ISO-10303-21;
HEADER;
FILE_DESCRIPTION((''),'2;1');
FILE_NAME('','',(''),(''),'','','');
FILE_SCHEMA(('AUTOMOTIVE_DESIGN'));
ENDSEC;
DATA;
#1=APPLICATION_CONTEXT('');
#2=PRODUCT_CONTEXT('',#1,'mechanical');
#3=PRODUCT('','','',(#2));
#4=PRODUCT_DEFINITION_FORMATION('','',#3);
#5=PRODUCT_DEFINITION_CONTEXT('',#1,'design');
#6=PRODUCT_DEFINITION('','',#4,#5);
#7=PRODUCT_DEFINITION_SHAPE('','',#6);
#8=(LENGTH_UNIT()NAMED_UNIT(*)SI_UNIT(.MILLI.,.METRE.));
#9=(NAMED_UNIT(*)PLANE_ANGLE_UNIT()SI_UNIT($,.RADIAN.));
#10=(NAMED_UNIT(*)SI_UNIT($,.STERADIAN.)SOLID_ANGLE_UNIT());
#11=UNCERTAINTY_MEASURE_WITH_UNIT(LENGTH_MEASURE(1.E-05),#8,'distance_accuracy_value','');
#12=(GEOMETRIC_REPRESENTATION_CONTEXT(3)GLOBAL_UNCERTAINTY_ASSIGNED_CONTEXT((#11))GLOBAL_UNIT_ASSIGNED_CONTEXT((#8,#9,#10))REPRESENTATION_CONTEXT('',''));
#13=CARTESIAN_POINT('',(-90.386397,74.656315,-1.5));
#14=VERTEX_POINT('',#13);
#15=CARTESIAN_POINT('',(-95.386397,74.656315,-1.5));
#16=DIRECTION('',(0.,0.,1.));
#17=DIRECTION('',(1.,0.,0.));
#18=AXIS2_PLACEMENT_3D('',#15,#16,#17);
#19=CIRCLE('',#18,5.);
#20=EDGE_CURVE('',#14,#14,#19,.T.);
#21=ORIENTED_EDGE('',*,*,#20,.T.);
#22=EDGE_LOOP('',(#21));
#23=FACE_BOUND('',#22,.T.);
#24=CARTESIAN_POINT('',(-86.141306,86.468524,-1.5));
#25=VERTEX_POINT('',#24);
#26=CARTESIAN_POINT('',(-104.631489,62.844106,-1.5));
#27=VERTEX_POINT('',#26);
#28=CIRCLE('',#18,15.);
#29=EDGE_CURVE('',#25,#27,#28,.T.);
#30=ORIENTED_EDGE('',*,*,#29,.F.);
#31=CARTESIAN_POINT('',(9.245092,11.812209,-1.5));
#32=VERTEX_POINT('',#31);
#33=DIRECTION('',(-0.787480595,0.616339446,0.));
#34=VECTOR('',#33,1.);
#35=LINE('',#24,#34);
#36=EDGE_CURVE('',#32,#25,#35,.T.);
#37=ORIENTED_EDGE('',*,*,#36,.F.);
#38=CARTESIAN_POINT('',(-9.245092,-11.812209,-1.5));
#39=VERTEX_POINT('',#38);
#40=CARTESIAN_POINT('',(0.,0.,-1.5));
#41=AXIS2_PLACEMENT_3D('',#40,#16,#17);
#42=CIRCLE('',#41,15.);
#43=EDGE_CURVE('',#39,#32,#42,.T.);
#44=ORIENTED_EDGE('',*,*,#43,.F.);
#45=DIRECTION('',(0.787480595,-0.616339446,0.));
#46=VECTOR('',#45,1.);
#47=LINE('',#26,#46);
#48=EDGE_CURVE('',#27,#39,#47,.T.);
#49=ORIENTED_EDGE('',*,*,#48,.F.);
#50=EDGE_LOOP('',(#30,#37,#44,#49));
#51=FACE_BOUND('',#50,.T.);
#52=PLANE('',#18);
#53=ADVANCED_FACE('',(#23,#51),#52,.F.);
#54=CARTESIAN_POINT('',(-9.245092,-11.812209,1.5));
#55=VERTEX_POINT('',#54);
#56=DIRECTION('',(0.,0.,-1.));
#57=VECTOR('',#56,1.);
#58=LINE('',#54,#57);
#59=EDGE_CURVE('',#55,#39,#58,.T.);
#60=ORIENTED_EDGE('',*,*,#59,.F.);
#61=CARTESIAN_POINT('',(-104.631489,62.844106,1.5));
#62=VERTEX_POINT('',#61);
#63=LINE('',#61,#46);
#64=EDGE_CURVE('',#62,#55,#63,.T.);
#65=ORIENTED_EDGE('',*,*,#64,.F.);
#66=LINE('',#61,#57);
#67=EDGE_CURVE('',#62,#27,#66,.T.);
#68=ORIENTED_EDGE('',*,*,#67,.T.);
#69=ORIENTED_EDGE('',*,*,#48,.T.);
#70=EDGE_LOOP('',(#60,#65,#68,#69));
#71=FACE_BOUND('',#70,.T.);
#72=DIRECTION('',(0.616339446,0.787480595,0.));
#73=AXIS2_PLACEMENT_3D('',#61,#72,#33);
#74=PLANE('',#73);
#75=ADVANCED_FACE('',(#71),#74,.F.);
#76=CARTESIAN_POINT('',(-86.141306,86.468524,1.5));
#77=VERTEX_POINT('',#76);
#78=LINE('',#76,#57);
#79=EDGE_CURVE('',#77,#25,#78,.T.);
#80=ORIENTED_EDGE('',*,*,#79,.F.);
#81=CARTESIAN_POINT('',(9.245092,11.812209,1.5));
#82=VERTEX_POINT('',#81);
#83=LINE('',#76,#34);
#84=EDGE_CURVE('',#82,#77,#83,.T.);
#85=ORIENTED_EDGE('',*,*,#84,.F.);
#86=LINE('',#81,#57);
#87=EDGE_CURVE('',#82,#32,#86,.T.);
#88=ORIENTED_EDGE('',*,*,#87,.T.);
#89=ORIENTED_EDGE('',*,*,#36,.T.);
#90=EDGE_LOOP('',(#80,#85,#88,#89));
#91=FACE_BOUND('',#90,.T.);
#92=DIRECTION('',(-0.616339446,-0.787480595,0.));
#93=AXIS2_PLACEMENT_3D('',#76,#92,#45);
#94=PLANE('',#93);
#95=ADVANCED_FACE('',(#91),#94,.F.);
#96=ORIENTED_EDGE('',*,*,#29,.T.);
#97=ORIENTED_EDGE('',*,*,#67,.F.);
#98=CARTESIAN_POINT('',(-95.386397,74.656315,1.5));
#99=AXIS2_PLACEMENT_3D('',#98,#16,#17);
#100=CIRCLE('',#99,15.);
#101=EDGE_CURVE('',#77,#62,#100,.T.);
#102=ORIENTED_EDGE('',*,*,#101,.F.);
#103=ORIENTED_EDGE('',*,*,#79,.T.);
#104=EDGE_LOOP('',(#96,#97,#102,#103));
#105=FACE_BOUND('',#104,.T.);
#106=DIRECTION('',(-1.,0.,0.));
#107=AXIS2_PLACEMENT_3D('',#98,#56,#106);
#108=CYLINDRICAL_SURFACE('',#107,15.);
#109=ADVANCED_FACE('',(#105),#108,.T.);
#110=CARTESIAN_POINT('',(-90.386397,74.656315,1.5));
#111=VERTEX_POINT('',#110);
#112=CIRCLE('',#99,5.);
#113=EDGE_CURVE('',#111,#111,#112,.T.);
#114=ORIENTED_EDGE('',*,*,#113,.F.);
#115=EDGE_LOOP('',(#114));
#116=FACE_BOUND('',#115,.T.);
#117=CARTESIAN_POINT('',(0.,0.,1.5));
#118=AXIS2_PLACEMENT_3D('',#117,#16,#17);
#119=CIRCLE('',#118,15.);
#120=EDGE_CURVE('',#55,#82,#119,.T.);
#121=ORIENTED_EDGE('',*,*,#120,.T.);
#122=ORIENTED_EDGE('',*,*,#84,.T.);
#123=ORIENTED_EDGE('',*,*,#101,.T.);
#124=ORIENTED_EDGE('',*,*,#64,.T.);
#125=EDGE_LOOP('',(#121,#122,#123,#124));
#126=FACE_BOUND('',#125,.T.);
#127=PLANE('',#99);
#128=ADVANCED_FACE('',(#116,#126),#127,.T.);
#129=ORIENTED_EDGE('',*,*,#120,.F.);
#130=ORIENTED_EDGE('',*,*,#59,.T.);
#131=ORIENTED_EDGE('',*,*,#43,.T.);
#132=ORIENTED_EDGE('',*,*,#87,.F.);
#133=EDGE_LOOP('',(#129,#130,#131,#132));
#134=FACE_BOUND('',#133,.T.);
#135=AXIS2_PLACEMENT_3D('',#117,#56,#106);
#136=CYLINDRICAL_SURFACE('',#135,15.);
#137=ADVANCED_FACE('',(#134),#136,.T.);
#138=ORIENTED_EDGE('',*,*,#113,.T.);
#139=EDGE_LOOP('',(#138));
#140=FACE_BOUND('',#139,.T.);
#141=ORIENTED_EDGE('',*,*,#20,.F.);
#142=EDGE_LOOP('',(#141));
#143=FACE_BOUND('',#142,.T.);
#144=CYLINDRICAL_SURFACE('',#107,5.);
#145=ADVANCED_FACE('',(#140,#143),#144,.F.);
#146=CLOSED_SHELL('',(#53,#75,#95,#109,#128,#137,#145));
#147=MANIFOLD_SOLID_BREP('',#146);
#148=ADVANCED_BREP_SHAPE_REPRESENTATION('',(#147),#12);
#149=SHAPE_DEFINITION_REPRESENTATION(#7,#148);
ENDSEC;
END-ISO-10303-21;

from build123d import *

# Parameters (mm, degrees)
SKETCH1_R           = 5
BOSS_EXTRUDE1_DEPTH = 1.5


with BuildPart() as part:
    # Sketch1 → Boss-Extrude1 (new, symmetric)
    with BuildSketch(Plane.XY):
        with BuildLine():
            Line((-86.14130577, 86.468523976), (9.245091692, 11.812208921))
            ThreePointArc((9.245091692, 11.812208921), (11.812208921, -9.245091692), (-9.245091692, -11.812208921))
            Line((-9.245091692, -11.812208921), (-104.631489155, 62.844106133))
            ThreePointArc((-104.631489155, 62.844106133), (-107.198606384, 83.901406746), (-86.14130577, 86.468523976))
        make_face()
        with Locations((-95.386397462, 74.656315054)):
            Circle(SKETCH1_R, mode=Mode.SUBTRACT)
    extrude(amount=BOSS_EXTRUDE1_DEPTH, both=True)


solid = part.part
